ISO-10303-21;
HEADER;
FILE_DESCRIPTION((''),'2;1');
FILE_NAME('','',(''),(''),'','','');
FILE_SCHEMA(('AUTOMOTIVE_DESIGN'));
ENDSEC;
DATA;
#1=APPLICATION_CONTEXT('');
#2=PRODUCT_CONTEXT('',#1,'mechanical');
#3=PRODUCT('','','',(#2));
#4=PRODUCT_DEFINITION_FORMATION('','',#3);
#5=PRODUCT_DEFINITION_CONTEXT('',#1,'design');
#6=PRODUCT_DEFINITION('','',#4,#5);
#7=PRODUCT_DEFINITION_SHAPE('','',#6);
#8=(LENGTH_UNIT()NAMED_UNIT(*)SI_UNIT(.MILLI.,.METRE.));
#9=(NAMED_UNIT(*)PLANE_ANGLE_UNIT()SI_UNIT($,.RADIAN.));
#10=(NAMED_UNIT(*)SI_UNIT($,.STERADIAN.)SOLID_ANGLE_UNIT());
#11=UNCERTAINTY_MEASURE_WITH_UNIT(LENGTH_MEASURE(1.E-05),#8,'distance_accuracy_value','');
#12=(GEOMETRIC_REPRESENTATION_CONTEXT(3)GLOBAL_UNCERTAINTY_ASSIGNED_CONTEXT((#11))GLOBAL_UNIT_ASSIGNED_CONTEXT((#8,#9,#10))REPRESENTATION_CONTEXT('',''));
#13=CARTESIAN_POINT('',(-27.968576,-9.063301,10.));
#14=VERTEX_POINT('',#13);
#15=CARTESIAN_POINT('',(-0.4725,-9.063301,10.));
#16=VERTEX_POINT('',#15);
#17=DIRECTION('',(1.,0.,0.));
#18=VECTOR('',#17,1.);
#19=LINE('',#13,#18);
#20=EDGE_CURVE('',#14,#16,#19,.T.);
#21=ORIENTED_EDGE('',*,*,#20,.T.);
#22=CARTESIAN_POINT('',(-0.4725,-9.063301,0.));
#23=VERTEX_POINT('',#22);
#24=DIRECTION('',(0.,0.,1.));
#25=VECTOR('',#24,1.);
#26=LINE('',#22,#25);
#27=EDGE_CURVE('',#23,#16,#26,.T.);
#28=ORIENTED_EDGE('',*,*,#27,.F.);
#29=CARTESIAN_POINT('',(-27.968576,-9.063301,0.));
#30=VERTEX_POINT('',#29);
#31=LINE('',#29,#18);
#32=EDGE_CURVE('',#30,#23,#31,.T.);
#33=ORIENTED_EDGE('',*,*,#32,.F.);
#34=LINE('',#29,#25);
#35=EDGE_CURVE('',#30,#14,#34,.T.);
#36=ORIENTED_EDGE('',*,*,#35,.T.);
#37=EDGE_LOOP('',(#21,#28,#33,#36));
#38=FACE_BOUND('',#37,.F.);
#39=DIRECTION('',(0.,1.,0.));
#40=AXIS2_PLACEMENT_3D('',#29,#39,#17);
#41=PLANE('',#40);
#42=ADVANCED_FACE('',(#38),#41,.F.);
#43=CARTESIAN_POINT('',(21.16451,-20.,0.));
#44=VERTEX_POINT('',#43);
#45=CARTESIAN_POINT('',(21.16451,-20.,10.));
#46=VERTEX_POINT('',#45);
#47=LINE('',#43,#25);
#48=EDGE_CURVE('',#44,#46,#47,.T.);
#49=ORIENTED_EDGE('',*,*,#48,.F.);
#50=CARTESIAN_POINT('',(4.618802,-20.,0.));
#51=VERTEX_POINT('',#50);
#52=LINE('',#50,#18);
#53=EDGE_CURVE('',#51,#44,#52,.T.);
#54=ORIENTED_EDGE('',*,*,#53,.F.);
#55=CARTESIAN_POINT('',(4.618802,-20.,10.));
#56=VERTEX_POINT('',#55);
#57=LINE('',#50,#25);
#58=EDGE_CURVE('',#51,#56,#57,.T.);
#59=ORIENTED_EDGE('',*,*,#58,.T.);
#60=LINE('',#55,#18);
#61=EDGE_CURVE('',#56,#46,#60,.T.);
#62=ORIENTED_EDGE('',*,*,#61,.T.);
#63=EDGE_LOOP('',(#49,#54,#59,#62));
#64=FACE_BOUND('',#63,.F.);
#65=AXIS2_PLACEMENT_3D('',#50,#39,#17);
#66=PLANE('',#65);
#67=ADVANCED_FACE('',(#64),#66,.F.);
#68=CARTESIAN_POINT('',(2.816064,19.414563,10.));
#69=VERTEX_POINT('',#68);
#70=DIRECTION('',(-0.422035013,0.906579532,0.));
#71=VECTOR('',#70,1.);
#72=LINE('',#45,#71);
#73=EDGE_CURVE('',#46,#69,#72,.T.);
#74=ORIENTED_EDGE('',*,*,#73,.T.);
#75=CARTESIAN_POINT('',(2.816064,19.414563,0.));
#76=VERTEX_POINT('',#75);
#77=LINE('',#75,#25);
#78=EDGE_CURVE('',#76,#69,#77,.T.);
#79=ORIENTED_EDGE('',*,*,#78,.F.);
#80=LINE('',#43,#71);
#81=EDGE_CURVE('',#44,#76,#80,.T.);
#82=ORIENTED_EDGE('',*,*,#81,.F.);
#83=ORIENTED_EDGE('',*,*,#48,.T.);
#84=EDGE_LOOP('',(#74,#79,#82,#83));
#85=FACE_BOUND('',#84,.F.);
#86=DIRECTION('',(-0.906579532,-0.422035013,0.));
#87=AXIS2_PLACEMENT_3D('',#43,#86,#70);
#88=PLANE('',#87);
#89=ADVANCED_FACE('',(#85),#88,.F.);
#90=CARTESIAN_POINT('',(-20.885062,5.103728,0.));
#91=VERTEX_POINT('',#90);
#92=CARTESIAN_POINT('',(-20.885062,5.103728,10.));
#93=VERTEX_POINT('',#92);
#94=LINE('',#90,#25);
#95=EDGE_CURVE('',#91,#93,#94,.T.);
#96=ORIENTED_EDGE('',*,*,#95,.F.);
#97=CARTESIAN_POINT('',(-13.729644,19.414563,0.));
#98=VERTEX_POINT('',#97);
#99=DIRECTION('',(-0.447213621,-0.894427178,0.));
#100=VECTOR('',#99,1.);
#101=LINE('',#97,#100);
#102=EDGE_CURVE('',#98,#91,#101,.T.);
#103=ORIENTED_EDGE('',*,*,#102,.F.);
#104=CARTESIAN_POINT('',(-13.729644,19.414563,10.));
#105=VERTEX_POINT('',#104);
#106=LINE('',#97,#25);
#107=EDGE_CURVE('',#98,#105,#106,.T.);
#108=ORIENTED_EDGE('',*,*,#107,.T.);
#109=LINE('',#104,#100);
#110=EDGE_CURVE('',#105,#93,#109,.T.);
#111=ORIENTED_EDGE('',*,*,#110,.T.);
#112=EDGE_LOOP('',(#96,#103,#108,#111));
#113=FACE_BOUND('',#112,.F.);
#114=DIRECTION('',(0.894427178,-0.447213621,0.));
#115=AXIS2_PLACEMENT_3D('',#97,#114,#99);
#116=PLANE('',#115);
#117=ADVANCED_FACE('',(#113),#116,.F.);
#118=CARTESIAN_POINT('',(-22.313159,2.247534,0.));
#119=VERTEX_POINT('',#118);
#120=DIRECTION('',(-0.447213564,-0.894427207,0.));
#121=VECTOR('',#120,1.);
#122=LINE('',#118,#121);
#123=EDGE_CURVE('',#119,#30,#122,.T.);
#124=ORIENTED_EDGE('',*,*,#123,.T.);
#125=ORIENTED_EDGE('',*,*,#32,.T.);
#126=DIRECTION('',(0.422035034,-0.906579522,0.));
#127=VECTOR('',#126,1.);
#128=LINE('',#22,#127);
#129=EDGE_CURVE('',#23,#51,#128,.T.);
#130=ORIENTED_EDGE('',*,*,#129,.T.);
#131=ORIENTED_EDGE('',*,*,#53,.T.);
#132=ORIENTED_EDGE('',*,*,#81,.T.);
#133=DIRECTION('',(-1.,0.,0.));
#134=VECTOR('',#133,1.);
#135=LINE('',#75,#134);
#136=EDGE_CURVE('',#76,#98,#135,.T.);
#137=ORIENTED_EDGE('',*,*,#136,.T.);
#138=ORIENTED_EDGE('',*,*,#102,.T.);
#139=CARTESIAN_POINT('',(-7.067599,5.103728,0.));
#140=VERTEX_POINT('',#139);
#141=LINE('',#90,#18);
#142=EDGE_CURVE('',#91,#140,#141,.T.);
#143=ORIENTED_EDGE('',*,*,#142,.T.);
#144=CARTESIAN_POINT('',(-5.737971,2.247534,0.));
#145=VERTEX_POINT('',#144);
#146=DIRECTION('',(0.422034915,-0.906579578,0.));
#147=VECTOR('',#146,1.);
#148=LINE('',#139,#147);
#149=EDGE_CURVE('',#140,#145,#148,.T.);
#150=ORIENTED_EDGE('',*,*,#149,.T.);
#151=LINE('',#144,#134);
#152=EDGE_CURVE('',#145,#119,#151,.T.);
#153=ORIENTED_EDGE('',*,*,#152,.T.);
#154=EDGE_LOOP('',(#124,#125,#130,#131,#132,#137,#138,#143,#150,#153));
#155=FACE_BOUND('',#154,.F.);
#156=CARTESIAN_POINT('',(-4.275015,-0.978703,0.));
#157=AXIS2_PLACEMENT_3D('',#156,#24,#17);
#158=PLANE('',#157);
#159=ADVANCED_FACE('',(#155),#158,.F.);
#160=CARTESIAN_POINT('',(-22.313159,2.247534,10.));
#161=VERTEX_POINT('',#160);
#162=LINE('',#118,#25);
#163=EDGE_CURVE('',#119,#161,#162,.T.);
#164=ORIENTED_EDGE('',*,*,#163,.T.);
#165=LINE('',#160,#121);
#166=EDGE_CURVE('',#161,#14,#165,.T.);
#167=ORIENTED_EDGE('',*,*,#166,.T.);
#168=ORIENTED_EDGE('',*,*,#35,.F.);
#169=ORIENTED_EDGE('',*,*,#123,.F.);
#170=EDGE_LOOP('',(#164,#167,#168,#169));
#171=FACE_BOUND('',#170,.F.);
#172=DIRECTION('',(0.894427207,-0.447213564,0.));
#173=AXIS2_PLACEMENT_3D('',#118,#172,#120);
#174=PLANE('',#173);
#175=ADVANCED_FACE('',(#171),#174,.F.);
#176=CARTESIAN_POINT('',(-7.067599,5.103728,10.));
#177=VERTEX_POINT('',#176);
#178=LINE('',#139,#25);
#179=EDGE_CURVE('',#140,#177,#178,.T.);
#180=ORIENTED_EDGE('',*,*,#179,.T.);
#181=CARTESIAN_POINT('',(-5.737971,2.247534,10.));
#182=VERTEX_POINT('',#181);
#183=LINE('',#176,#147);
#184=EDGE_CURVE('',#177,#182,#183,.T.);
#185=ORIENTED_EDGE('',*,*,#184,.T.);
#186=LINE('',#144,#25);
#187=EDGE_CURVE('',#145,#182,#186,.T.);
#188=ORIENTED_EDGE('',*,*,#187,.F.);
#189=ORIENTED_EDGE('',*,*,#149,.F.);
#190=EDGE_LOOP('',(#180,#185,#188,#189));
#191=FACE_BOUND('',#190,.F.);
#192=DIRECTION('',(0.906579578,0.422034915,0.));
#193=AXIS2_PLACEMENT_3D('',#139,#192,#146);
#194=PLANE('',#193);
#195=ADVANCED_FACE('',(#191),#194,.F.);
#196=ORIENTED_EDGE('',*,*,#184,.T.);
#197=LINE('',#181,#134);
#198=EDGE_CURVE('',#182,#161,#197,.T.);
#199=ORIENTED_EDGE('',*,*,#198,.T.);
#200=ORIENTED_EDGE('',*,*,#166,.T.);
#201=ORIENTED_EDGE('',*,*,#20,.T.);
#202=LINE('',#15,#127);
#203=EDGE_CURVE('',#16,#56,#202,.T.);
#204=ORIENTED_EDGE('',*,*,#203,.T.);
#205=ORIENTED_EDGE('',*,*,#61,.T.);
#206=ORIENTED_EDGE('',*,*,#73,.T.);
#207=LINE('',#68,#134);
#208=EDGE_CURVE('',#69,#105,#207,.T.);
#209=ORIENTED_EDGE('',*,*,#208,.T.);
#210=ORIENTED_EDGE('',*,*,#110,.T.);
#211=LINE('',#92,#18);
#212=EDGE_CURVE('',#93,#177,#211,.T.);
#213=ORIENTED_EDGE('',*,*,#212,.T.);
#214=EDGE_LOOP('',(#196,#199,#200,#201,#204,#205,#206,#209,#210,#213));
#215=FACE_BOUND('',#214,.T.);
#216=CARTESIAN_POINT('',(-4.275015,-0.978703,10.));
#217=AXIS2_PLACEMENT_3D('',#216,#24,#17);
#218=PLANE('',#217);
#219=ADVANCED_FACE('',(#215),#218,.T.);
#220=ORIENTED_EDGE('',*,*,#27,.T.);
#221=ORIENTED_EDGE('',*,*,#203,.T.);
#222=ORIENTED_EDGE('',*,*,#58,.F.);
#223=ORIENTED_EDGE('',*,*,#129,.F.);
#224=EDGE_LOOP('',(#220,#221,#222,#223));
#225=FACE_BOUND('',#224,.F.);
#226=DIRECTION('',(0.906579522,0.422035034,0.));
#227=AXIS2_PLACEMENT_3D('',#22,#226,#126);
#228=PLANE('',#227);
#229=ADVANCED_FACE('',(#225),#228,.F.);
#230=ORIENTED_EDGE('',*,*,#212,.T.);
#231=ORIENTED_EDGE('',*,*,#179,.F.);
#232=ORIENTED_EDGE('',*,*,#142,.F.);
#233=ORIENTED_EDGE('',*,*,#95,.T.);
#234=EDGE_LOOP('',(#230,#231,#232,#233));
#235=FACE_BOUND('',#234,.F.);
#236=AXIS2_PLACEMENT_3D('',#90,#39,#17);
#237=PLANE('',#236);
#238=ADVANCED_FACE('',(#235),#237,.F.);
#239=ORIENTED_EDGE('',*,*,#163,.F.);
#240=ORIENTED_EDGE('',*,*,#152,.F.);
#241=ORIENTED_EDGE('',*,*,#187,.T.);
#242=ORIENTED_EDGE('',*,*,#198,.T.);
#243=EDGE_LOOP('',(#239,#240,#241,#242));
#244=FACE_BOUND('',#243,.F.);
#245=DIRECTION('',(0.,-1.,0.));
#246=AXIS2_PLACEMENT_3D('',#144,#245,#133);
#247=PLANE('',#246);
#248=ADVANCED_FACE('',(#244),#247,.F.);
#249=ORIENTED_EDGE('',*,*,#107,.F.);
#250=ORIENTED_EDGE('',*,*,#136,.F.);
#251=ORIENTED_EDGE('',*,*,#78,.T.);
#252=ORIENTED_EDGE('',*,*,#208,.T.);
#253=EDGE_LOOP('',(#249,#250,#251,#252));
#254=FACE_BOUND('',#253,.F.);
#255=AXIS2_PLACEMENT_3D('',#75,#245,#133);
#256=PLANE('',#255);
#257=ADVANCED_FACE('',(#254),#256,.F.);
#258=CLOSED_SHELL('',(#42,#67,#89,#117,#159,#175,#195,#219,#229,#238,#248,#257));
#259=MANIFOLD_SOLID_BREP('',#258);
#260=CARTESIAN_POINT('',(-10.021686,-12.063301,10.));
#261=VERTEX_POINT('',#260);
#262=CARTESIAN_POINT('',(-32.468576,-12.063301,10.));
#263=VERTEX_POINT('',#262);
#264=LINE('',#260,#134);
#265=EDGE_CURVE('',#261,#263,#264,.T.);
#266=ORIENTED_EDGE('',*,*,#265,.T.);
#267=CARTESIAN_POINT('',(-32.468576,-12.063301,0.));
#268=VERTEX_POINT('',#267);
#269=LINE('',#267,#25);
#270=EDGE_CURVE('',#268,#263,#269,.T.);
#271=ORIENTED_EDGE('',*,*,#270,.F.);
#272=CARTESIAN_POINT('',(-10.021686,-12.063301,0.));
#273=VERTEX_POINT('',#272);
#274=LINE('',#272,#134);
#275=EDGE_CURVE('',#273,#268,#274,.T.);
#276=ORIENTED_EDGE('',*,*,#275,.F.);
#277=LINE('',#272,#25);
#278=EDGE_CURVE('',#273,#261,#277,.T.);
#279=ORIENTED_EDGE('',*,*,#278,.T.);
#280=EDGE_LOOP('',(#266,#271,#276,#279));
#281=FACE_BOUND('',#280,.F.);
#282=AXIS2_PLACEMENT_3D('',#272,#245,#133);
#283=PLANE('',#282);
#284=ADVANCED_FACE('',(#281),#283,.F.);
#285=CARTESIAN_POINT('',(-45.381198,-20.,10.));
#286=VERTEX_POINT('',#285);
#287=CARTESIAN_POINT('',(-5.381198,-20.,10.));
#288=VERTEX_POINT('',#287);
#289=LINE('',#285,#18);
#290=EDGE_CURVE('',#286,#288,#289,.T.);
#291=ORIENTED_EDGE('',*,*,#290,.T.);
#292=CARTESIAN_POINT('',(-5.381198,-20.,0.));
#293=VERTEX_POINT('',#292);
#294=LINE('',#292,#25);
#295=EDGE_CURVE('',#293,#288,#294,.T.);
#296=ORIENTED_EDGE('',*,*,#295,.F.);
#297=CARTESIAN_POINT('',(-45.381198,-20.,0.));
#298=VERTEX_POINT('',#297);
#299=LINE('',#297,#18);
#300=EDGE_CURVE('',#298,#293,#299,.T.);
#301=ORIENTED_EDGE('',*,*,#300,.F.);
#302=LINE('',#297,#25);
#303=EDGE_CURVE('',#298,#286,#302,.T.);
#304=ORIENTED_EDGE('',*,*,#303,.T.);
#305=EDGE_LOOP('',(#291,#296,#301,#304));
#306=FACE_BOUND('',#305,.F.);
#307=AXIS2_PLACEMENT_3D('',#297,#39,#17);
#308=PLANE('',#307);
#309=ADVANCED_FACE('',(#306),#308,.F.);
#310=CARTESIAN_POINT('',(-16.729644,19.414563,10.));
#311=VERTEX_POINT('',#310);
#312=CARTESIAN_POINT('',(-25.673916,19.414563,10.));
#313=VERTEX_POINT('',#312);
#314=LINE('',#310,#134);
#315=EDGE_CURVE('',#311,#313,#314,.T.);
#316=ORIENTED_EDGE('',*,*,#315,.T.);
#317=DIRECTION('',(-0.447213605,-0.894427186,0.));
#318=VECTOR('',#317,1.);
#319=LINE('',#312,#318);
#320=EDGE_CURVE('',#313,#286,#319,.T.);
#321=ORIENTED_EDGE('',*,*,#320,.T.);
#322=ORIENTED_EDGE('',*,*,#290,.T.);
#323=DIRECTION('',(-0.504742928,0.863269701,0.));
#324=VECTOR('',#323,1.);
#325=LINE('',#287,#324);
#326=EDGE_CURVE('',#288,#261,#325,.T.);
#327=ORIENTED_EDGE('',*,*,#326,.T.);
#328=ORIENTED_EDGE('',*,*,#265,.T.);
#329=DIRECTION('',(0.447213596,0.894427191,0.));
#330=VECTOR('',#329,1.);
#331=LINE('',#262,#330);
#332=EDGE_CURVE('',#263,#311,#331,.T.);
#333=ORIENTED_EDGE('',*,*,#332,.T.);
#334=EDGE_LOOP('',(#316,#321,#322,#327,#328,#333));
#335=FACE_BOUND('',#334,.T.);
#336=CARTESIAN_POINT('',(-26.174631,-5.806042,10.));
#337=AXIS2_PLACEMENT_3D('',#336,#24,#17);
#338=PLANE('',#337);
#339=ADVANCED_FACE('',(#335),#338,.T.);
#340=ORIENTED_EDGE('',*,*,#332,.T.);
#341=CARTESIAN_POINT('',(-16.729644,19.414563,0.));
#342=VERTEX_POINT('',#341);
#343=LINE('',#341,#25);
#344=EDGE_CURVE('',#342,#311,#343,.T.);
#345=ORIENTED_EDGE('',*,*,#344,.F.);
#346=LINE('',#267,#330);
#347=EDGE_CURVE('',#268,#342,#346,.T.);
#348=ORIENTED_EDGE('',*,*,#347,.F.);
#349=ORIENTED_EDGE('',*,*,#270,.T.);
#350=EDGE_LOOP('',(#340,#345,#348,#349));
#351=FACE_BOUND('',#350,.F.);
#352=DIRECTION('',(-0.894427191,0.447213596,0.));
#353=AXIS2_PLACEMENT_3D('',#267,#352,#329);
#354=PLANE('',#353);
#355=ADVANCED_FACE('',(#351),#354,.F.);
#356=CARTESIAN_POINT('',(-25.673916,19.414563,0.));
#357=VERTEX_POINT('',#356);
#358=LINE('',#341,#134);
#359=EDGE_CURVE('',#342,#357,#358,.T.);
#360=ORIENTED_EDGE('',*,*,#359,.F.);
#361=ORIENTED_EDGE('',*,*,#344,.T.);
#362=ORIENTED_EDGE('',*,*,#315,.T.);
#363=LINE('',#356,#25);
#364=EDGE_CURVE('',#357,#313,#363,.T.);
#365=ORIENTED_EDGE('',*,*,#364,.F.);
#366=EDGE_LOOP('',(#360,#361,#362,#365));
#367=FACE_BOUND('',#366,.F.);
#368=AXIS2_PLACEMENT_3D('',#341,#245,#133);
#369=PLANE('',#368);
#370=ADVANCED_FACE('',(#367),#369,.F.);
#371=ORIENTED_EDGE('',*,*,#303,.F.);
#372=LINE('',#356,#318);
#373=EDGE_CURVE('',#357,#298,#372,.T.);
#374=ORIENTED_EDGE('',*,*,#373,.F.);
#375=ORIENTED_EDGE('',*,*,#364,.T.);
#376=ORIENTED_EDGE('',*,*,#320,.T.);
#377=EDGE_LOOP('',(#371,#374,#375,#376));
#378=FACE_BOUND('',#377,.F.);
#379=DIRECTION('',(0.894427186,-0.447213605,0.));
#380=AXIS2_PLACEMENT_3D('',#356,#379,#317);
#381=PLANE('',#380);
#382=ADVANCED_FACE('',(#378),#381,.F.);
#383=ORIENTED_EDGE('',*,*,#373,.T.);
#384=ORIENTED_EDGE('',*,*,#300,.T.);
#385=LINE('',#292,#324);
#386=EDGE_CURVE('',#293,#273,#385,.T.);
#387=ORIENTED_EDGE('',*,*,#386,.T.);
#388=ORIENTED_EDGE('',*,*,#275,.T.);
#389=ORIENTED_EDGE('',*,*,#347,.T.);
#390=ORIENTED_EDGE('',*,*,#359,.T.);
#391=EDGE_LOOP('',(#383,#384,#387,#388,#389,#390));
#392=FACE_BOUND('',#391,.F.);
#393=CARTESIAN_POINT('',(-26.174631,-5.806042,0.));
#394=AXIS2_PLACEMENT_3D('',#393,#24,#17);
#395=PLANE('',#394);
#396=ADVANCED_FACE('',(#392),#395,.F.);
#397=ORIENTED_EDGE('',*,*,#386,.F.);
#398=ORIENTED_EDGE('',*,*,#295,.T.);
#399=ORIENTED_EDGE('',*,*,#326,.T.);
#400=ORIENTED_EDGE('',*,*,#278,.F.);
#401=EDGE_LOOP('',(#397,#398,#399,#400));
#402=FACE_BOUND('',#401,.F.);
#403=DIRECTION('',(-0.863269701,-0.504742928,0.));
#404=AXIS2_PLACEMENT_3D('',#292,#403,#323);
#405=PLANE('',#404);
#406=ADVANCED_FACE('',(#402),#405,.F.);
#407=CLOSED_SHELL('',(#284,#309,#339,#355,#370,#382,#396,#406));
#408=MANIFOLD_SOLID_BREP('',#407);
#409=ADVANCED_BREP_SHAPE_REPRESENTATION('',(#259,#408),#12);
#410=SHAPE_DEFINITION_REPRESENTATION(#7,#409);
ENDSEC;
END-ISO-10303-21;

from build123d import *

# Parameters (mm, degrees)
F1_DEPTH = 10


with BuildPart() as f1:
    # F0 (on Top) → F1 (new body)
    with BuildSketch(Plane.XY):
        Polygon((-25.673916, 19.414563), (-45.381198, -20), (-5.381198, -20), (-10.021686, -12.063301), (-32.468576, -12.063301), (-16.729644, 19.414563), align=None)
        Polygon((4.618802, -20), (21.16451, -20), (2.816064, 19.414563), (-13.729644, 19.414563), (-20.885062, 5.103728), (-7.067599, 5.103728), (-5.737971, 2.247534), (-22.313159, 2.247534), (-27.968576, -9.063301), (-0.4725, -9.063301), align=None)
    extrude(amount=F1_DEPTH)


solid = f1.part
